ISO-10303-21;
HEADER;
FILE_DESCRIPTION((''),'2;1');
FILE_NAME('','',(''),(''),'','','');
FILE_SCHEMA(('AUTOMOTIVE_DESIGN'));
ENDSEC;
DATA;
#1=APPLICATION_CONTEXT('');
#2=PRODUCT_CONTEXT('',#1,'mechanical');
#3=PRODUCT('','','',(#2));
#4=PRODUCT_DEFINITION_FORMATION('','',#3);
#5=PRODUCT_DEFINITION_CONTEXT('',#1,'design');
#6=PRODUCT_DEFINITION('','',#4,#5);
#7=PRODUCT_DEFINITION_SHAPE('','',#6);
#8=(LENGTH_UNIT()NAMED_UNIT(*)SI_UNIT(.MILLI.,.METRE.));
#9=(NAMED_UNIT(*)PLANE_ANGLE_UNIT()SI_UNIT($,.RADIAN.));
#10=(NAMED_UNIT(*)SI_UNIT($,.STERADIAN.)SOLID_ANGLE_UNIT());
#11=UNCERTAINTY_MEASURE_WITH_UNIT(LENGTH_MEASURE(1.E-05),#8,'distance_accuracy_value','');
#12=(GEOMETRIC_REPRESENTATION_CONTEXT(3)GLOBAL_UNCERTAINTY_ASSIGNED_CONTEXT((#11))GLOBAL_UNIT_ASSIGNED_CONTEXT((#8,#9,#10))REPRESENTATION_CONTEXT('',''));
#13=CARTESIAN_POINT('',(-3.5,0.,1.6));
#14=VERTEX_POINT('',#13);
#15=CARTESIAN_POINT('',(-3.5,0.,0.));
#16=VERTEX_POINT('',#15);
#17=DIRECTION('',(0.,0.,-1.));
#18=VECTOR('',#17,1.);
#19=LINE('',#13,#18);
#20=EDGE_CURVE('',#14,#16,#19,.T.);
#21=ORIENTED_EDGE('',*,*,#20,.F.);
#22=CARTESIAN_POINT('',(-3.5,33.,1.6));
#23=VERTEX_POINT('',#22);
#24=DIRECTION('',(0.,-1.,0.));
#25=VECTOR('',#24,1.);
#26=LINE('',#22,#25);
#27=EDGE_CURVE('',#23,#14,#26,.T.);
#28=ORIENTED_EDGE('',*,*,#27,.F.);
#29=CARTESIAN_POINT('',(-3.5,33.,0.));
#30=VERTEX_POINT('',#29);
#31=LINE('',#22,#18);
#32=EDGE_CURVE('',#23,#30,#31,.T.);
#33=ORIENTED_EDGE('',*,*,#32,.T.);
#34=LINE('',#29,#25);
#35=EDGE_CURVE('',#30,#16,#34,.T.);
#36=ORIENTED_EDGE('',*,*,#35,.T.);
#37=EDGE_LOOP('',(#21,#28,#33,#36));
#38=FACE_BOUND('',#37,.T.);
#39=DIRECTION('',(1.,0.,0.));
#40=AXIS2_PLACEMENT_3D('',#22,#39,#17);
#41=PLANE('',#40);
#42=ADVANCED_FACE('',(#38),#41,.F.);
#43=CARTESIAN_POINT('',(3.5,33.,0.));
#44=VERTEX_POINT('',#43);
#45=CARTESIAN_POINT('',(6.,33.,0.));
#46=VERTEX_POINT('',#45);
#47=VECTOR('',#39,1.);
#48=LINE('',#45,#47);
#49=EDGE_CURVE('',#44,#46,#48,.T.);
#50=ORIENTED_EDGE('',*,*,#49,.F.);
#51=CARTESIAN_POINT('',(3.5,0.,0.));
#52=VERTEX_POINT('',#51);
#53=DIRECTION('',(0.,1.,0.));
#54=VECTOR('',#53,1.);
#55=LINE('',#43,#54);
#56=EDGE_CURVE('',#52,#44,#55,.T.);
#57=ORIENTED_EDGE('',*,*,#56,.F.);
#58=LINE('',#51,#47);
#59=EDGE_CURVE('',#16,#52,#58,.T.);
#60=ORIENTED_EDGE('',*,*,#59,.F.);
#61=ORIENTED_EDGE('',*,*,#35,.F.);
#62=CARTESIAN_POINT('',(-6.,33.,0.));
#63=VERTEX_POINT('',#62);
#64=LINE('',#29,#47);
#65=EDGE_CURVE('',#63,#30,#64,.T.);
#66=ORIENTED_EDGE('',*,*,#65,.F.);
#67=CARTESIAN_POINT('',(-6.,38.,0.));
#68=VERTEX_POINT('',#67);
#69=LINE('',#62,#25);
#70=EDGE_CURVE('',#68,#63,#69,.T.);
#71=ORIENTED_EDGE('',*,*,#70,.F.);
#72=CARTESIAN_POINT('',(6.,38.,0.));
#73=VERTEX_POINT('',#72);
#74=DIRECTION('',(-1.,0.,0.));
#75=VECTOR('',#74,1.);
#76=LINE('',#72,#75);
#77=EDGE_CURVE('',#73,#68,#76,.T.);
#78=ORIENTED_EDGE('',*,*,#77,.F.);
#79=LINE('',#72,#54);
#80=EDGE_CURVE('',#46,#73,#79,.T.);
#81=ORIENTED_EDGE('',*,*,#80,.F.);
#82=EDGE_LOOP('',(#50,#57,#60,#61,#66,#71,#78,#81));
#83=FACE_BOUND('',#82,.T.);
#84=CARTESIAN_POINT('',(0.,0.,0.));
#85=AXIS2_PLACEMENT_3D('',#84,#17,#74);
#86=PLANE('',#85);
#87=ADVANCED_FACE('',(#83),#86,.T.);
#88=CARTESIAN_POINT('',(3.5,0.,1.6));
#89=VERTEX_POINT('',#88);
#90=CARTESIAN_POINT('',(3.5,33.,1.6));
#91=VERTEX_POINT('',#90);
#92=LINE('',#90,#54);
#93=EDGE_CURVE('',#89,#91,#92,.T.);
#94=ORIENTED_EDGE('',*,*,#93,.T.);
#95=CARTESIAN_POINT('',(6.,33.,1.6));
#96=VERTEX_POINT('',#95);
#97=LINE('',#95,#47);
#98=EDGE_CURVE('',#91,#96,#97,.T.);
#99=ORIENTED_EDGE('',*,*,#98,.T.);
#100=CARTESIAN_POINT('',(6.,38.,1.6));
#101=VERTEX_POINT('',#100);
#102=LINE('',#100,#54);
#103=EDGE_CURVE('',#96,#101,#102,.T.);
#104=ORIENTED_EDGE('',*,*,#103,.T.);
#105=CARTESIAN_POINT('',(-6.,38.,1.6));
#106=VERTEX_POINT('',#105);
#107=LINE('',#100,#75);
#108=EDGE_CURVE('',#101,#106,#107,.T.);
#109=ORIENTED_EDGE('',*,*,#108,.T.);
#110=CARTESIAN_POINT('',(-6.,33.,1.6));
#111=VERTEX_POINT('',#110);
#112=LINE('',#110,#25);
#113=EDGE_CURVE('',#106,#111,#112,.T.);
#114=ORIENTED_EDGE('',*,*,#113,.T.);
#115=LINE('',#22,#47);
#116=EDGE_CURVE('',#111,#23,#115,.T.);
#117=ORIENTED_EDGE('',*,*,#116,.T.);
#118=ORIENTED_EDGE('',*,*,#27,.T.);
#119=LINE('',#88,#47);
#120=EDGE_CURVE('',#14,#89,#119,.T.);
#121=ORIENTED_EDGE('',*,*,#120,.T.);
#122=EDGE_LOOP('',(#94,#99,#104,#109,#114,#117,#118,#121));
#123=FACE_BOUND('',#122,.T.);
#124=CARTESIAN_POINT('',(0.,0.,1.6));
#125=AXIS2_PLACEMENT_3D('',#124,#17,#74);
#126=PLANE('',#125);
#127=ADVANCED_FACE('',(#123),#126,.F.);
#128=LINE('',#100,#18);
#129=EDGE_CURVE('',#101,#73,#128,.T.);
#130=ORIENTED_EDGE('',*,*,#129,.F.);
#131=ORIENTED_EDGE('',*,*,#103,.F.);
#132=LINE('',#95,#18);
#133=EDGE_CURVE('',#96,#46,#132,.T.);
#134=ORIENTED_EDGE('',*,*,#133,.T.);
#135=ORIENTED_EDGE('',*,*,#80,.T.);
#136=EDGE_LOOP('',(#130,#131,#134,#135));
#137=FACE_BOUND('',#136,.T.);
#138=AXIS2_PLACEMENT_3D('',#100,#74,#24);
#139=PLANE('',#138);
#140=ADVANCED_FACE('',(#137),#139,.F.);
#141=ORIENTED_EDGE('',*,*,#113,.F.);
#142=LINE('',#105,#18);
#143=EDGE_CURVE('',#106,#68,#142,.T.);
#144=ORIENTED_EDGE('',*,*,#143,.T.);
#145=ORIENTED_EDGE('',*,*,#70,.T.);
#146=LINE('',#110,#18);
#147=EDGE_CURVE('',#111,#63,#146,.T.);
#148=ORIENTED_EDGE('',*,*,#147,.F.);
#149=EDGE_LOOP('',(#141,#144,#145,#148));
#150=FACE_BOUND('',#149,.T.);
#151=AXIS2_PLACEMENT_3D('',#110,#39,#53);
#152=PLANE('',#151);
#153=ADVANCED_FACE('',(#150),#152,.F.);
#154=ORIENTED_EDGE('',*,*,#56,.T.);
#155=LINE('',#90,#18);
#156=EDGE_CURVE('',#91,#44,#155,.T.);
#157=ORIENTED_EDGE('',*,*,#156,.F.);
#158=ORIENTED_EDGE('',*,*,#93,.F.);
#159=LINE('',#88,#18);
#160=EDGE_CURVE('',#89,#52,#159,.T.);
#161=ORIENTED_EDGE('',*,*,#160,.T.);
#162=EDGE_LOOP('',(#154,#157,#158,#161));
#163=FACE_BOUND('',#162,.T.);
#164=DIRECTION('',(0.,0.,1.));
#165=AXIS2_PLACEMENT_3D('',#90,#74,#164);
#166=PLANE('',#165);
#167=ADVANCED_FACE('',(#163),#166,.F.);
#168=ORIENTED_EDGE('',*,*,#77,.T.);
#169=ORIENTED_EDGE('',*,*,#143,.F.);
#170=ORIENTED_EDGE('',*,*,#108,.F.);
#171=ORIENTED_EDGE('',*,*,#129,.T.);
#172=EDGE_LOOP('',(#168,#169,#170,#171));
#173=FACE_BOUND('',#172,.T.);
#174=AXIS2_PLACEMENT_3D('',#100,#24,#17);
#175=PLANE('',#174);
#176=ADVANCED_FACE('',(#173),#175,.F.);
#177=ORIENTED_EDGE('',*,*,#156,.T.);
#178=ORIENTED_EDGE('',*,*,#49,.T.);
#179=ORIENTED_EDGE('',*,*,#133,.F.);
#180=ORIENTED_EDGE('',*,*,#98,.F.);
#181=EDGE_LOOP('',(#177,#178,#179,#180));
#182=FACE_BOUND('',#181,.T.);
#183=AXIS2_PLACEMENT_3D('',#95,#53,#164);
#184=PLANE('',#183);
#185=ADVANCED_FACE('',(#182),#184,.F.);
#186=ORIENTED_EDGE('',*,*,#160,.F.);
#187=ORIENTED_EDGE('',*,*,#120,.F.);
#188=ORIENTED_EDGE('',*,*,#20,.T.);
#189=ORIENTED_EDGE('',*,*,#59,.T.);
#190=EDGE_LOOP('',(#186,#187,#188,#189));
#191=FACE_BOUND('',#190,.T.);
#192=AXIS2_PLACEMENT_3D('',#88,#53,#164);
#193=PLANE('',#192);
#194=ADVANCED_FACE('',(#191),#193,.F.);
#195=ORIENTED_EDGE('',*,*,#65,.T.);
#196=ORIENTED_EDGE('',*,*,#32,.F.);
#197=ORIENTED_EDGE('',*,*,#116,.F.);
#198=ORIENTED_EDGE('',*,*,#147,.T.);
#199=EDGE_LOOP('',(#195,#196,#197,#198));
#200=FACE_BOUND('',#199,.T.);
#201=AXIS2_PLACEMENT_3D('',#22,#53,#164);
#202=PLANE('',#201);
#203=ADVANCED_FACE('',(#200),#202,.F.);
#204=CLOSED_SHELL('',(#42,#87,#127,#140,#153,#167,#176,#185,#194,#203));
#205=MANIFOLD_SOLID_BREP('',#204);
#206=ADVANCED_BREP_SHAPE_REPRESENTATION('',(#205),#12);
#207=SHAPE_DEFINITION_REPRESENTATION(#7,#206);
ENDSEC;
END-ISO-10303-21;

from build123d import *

# Parameters (mm, degrees)
ESTRUSIONE_ESTRUSIONE1_DEPTH = 1.6


with BuildPart() as part:
    # Schizzo1 → Estrusione-Estrusione1 (new body)
    with BuildSketch(Plane.XY):
        Polygon((-3.5, 33), (-6, 33), (-6, 38), (6, 38), (6, 33), (3.5, 33), (3.5, 0), (-3.5, 0), align=None)
    extrude(amount=ESTRUSIONE_ESTRUSIONE1_DEPTH)


solid = part.part
